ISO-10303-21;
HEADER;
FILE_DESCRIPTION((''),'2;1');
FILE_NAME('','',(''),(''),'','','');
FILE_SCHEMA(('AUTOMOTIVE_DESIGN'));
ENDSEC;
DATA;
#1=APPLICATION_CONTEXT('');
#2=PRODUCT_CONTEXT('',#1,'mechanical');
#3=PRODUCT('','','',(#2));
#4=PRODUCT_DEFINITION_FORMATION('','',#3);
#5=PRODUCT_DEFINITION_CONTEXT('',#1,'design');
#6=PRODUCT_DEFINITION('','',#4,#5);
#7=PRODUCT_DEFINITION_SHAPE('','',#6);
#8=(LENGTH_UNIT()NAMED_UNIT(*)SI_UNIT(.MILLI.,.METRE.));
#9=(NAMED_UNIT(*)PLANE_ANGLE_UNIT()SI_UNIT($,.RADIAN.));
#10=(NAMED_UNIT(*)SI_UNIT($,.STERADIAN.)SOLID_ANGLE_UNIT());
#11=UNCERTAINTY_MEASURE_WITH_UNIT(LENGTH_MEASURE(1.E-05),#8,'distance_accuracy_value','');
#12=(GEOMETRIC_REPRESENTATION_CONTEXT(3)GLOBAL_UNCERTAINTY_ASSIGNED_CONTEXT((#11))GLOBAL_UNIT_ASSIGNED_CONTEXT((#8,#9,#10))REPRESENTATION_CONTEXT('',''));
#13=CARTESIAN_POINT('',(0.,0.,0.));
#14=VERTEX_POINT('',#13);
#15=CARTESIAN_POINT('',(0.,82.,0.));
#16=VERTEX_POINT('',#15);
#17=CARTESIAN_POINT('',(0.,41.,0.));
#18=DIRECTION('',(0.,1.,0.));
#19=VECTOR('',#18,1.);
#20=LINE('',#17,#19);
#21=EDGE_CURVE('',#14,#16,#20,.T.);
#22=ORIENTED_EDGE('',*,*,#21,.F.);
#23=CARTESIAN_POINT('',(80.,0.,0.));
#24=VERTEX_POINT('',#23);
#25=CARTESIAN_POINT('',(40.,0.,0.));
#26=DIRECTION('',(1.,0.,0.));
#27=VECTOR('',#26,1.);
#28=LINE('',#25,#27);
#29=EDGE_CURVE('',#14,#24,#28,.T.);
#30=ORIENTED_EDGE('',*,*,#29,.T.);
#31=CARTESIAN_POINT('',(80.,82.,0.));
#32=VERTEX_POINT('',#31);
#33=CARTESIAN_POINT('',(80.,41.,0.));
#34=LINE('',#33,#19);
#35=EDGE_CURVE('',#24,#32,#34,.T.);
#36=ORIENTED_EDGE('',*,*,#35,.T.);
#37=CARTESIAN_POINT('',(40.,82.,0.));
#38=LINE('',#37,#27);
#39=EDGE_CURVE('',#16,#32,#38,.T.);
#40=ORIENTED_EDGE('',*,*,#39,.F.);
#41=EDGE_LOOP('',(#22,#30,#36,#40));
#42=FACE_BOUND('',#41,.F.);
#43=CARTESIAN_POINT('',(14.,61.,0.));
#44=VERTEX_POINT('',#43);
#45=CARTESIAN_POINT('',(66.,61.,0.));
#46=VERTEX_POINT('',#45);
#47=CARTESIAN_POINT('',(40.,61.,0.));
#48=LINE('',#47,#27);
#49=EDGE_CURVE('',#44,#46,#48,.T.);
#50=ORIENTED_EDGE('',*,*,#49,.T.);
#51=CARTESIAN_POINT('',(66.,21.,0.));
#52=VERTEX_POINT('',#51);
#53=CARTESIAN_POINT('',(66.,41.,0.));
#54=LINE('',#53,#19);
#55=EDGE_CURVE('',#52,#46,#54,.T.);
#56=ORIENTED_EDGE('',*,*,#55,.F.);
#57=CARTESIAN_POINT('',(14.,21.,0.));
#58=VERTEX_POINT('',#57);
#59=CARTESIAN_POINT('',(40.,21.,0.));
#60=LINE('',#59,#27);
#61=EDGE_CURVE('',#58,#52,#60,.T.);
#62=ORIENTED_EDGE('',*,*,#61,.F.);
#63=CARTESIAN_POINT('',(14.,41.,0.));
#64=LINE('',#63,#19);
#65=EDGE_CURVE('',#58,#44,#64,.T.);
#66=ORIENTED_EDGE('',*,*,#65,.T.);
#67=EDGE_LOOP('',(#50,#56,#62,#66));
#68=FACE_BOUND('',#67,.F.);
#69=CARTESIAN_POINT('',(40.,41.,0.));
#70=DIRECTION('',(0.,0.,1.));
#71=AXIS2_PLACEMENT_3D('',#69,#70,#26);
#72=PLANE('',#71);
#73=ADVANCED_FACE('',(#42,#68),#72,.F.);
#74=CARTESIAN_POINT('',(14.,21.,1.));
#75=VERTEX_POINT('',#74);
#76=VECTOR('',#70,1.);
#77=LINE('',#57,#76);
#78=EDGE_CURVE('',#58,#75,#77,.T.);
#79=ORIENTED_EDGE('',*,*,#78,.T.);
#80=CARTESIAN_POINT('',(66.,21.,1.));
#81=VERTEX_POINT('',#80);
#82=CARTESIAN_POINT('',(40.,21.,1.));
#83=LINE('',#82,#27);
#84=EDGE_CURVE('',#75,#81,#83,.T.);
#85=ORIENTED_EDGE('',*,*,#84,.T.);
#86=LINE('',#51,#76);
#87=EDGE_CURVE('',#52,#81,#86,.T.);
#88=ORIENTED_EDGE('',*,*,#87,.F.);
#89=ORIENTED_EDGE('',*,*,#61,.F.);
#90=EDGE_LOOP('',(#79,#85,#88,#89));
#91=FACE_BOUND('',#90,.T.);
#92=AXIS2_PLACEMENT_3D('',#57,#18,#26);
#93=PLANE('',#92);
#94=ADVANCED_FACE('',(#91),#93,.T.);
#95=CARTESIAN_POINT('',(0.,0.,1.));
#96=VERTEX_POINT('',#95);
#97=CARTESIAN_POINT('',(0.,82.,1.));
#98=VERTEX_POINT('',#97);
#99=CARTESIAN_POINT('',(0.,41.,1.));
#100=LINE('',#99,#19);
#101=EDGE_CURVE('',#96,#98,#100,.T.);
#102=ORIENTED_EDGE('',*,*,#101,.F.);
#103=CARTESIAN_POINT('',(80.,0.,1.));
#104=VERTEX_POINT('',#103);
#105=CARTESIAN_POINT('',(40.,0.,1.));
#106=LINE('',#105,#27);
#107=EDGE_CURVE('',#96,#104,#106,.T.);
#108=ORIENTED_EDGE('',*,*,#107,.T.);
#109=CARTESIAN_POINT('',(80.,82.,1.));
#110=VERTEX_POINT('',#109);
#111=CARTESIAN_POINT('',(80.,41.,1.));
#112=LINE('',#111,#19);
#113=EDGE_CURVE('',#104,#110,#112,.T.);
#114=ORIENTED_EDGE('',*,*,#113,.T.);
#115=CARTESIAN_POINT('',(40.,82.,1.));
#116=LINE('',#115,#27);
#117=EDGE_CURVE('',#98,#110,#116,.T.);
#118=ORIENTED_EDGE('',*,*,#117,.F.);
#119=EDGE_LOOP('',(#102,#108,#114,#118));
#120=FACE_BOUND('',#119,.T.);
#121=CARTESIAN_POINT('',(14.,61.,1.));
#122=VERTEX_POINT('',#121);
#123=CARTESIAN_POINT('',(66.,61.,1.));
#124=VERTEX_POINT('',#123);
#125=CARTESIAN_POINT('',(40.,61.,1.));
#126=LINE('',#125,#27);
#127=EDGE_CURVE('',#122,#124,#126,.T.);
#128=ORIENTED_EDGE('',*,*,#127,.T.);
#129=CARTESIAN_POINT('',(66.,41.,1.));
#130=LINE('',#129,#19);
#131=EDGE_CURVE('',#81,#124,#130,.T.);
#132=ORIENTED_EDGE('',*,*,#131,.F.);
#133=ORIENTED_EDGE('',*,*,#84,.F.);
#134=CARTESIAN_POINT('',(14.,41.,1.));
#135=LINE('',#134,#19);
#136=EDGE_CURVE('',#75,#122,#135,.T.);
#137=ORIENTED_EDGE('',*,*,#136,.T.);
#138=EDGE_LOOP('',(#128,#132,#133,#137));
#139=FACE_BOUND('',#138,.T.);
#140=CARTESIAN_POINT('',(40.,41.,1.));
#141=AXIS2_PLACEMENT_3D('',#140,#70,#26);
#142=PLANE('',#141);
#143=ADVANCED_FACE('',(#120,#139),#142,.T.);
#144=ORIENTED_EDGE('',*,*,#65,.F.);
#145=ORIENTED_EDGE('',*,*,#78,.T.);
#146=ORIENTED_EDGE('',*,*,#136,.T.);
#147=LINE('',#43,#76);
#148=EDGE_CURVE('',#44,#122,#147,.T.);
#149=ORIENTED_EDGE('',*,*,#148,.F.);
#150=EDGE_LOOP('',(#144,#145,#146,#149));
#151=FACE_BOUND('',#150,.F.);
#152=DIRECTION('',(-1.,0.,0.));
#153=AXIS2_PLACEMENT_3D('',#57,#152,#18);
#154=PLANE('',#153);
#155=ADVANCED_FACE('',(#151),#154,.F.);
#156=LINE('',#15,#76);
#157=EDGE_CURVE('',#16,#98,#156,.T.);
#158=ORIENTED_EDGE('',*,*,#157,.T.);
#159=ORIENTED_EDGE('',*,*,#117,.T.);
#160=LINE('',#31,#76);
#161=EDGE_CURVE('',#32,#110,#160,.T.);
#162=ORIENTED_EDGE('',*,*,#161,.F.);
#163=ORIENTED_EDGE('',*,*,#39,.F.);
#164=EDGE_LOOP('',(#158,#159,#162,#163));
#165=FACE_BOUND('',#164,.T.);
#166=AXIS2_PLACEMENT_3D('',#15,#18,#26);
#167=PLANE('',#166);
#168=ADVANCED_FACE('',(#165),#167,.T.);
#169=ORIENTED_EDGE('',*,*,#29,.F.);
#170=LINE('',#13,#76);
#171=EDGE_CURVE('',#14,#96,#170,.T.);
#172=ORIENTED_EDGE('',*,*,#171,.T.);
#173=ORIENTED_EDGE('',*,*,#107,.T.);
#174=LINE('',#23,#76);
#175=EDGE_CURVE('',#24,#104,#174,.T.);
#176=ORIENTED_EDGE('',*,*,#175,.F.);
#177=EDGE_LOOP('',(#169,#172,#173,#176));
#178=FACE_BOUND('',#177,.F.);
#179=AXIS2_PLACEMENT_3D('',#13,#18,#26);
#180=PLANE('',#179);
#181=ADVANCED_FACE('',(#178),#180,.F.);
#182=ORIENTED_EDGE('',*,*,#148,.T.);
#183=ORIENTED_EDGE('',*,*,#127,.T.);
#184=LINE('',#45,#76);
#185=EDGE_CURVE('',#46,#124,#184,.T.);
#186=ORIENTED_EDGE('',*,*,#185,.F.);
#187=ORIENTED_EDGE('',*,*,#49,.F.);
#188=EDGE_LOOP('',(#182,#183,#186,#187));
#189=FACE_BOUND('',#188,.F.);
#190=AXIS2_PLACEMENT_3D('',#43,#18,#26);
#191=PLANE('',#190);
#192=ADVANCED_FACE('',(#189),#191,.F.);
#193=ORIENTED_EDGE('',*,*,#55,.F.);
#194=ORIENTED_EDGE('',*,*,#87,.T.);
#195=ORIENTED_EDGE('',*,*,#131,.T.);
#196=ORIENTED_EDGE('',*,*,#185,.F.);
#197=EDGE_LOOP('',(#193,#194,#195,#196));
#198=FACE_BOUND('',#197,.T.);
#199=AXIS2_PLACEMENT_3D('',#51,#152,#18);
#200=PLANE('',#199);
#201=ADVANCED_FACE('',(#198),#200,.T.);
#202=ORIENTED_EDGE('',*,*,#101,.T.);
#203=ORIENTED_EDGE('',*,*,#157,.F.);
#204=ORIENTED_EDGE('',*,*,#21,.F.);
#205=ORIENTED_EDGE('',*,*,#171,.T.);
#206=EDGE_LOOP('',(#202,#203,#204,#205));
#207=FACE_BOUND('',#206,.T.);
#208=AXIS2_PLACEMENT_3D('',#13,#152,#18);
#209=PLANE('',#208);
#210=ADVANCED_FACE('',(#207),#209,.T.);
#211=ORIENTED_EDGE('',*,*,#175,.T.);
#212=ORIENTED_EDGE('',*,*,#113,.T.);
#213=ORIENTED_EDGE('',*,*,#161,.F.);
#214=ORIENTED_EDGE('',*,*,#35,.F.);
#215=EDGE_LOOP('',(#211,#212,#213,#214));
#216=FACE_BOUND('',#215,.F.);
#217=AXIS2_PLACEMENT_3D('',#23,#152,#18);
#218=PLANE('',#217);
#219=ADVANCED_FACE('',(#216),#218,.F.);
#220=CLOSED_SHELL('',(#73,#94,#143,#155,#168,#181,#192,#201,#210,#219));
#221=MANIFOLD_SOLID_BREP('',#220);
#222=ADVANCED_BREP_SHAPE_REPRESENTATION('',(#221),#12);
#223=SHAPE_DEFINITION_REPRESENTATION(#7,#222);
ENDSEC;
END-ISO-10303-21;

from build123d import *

# Parameters (mm, degrees)
SKETCH_W   = 80
SKETCH_H   = 82
SKETCH_W_2 = 52
SKETCH_H_2 = 40
PAD_DEPTH  = 1


with BuildPart() as part:
    # Sketch → Pad (new body)
    with BuildSketch(Plane.XY):
        with Locations((40, 41)):
            Rectangle(SKETCH_W, SKETCH_H)
        with Locations((40, 41)):
            Rectangle(SKETCH_W_2, SKETCH_H_2, mode=Mode.SUBTRACT)
    extrude(amount=PAD_DEPTH)


solid = part.part
